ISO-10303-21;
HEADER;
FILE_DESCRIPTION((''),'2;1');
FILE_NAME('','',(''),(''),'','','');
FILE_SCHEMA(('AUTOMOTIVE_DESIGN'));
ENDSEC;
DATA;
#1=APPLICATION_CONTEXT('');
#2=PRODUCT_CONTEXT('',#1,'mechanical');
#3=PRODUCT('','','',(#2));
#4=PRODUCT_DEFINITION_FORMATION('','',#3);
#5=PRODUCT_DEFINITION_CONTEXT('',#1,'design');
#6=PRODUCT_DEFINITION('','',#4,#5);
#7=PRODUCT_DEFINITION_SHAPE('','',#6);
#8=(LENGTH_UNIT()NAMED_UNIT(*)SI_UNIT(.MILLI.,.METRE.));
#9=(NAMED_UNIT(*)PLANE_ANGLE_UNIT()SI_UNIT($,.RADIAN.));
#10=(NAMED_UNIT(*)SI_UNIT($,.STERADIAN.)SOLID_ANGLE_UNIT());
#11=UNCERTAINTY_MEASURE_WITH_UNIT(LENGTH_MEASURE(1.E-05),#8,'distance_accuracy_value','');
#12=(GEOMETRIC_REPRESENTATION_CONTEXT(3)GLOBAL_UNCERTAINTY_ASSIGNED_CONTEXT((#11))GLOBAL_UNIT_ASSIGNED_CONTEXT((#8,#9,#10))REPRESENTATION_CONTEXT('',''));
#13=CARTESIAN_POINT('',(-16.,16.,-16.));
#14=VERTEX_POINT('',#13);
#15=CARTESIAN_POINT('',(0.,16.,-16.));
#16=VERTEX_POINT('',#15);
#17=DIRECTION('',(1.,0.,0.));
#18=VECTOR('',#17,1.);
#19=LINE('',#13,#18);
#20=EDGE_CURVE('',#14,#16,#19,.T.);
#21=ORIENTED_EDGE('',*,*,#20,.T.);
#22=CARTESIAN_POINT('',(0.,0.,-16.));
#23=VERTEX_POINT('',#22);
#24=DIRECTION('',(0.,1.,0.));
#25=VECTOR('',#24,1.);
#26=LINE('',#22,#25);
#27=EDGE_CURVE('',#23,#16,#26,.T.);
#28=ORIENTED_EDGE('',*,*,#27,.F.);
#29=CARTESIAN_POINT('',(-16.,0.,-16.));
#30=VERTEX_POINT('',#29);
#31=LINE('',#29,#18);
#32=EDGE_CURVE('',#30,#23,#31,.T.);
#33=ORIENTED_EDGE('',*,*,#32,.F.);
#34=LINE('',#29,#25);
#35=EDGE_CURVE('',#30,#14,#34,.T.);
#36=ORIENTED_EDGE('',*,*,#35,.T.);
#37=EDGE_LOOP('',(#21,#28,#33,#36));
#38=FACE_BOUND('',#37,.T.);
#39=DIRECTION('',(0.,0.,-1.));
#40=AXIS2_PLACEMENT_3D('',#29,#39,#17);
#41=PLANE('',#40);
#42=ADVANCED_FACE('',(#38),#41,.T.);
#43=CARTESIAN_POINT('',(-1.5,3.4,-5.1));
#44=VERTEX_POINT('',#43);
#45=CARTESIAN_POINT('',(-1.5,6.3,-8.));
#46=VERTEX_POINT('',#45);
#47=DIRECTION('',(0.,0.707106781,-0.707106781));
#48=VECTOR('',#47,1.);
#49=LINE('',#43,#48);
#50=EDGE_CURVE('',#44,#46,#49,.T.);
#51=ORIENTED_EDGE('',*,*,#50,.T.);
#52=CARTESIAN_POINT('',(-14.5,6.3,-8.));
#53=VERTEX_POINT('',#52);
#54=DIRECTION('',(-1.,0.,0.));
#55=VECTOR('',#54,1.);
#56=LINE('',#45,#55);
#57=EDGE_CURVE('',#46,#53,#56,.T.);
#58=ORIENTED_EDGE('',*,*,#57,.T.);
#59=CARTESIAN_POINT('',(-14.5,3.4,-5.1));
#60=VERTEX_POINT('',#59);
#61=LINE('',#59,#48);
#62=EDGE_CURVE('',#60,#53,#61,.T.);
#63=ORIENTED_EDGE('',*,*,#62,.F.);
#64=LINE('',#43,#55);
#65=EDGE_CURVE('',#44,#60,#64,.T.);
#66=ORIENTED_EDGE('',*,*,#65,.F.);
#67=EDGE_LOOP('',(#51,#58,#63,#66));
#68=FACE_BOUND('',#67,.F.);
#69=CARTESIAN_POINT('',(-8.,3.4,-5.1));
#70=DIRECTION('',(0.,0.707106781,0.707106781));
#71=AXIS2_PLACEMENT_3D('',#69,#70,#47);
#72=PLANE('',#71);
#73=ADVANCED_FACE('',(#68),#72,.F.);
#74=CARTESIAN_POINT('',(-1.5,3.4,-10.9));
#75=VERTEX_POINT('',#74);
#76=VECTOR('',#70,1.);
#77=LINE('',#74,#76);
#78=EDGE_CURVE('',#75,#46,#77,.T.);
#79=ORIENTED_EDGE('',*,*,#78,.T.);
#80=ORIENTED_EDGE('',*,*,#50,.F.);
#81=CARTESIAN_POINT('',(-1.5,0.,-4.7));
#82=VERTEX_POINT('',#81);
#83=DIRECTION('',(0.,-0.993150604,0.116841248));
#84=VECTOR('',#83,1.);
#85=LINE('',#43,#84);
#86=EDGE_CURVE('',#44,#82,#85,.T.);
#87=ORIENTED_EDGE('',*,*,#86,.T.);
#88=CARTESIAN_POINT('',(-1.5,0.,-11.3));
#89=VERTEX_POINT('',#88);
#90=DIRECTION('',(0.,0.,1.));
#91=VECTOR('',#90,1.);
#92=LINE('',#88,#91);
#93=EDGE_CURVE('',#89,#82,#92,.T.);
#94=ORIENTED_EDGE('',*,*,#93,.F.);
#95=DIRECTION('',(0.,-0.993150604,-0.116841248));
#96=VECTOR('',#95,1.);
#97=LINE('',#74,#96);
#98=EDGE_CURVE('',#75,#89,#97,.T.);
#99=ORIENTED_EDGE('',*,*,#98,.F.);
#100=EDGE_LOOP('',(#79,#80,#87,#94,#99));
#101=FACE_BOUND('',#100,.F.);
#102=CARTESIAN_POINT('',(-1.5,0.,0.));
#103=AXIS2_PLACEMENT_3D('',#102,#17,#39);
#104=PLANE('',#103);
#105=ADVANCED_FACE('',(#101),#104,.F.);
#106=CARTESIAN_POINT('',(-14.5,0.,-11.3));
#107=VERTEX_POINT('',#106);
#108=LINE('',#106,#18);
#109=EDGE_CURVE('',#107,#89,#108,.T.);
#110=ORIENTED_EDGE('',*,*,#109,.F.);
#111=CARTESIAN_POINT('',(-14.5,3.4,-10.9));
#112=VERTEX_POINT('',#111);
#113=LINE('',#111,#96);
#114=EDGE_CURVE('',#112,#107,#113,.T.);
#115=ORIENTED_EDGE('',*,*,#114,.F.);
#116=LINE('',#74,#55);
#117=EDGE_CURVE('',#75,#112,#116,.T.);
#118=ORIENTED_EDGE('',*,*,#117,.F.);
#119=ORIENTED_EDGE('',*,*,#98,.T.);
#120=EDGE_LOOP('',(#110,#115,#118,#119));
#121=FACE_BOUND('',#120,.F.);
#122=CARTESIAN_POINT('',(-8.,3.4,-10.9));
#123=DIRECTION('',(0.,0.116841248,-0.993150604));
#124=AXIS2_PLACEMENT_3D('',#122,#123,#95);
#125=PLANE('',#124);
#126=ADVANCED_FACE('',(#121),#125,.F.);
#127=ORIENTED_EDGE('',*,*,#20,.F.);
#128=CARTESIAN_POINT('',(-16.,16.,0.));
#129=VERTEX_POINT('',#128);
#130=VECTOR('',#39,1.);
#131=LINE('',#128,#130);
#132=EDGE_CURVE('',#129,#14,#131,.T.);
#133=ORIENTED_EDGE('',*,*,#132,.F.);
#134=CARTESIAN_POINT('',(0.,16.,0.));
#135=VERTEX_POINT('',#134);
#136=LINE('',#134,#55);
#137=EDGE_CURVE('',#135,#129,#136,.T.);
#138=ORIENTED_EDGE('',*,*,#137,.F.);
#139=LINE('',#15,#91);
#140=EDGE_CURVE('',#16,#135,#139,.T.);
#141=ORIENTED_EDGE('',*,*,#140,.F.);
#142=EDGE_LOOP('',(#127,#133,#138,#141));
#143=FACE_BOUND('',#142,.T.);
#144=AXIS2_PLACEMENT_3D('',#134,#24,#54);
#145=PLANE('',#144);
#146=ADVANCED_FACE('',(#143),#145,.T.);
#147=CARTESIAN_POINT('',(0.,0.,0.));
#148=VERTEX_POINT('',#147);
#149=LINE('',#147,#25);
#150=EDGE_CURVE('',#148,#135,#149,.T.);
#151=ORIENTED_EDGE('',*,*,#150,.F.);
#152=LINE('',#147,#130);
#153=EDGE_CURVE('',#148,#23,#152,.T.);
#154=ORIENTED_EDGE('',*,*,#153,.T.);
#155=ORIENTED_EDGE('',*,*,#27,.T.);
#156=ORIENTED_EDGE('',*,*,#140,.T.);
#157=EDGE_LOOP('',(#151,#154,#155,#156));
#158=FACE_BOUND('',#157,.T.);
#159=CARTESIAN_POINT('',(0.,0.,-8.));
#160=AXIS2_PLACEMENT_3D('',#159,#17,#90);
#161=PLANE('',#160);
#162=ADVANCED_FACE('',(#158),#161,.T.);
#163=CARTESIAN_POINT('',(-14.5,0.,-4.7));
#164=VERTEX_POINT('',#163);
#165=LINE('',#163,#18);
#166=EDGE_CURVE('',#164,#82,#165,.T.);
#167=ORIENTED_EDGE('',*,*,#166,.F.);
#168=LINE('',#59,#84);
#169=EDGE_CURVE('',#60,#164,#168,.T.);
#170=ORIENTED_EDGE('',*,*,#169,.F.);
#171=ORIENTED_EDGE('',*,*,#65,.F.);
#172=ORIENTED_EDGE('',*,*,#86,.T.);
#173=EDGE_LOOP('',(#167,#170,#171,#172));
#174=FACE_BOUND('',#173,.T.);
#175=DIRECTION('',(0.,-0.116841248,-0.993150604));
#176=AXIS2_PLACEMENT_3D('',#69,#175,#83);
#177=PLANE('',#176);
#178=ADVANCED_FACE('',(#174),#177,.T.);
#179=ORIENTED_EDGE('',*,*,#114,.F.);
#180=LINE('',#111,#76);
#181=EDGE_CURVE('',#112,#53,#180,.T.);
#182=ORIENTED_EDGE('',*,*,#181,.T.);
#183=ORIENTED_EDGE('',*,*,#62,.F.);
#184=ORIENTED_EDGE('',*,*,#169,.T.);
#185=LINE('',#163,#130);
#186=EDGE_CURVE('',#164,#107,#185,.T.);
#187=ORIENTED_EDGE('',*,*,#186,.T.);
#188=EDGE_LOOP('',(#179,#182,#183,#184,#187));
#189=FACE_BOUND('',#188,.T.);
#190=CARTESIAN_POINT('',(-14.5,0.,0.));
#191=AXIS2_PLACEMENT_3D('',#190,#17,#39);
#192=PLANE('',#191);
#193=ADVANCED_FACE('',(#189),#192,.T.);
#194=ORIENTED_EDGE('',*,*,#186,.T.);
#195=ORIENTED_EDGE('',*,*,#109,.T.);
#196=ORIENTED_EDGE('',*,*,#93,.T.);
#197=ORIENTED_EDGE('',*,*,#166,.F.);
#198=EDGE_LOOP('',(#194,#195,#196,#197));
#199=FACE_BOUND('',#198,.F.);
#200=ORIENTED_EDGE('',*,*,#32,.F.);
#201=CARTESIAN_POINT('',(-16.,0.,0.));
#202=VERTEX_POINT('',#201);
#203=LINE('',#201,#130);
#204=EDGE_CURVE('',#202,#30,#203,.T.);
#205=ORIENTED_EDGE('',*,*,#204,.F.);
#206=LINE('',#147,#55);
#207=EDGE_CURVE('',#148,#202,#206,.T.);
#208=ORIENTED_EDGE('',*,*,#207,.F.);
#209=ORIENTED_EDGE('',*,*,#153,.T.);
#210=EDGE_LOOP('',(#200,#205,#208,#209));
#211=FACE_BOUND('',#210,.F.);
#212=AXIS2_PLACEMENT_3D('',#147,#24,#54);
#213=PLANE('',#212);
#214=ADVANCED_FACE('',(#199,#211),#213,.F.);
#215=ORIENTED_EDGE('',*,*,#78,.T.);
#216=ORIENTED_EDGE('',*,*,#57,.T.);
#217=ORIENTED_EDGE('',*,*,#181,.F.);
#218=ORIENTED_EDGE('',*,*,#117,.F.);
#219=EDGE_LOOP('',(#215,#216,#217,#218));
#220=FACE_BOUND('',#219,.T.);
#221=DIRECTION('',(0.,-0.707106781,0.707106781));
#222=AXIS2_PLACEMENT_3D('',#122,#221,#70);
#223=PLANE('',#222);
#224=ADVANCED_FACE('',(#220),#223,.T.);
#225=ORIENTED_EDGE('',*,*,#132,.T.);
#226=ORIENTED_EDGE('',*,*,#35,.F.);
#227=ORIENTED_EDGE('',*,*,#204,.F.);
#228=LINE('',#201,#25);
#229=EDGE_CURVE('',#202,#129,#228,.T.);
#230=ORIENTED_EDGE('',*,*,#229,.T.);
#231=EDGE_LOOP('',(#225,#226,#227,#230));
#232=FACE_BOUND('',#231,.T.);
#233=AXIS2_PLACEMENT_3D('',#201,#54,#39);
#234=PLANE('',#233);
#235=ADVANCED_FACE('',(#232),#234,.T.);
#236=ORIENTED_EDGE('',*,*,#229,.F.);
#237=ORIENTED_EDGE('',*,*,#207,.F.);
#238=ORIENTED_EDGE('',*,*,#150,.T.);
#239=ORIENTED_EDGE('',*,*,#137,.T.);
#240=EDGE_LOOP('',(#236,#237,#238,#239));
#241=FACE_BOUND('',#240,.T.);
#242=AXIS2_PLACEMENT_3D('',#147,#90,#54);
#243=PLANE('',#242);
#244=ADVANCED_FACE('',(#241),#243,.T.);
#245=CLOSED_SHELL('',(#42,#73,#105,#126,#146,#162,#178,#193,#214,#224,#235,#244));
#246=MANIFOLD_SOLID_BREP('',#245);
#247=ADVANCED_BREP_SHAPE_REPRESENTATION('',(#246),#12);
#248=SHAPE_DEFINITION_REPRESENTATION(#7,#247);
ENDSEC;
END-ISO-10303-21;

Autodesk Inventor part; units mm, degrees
ref_plane "YZ Plane" through (0, 0, 0) normal (1, 0, 0) x (0, 1, 0)
ref_plane "XZ Plane" through (0, 0, 0) normal (0, 1, 0) x (-1, 0, 0)
ref_plane "XY Plane" through (0, 0, 0) normal (0, 0, 1) x (1, 0, 0)
sketch "Sketch1" plane through (0, 0, 0) normal (0, 1, 0) x (-1, 0, 0)
  point P0 (0, 0)
sketch "Sketch2" plane through (0, 0, 0) normal (0, 1, 0) x (-1, 0, 0)
  line L0 (0, 0) -> (16, 0)
  line L1 (16, 0) -> (16, -16)
  line L2 (16, -16) -> (0, -16)
  line L3 (0, -16) -> (0, 0)
  line L4 (0, 0) -> (0, -8)
  dimension "d1" = 16
  dimension "d2" = 16
extrude "Extrusion1" add sketch "Sketch2" along normal blind 16
ref_plane "Work Plane1" through (-8, 0, 0) normal (1, 0, 0) x (0, 0, -1)
sketch "Sketch5" plane through (-8, 0, 0) normal (1, 0, 0) x (0, 0, -1)
  line L0 (0, 0) -> (16, 0) projected
  line L1 (11.3, 0) -> (4.7, 0) projected
  line L2 (8, 0) -> (11.3, 0)
  line L3 (11.3, 0) -> (11.3, 3.4)
  line L4 (11.3, 3.4) -> (10.9, 3.4)
  line L5 (11.3, 0) -> (11.3, 3.3) projected
  line L6 (10.9, 3.4) -> (11.3, 0)
  line L7 (11.3, 3.3) -> (8, 6.6) projected
  line L8 (8, 0) -> (8, 6.6)
  line L9 (10.9, 3.4) -> (8, 6.3)
  line L10 (16, 0) -> (0, 0)
  line L11 (5.1, 3.4) -> (4.7, 0)
  line L12 (5.1, 3.4) -> (8, 6.3)
  dimension "d39" = 3.3
  dimension "d40" = 3.4
  dimension "d41" = 0.4
  dimension "d42" = 6.6
extrude "Extrusion4" cut sketch "Sketch5" along normal mid plane 13 contours L11 L12 L8 L0 | L8 L9 L6 L0
properties part number "pawn"
